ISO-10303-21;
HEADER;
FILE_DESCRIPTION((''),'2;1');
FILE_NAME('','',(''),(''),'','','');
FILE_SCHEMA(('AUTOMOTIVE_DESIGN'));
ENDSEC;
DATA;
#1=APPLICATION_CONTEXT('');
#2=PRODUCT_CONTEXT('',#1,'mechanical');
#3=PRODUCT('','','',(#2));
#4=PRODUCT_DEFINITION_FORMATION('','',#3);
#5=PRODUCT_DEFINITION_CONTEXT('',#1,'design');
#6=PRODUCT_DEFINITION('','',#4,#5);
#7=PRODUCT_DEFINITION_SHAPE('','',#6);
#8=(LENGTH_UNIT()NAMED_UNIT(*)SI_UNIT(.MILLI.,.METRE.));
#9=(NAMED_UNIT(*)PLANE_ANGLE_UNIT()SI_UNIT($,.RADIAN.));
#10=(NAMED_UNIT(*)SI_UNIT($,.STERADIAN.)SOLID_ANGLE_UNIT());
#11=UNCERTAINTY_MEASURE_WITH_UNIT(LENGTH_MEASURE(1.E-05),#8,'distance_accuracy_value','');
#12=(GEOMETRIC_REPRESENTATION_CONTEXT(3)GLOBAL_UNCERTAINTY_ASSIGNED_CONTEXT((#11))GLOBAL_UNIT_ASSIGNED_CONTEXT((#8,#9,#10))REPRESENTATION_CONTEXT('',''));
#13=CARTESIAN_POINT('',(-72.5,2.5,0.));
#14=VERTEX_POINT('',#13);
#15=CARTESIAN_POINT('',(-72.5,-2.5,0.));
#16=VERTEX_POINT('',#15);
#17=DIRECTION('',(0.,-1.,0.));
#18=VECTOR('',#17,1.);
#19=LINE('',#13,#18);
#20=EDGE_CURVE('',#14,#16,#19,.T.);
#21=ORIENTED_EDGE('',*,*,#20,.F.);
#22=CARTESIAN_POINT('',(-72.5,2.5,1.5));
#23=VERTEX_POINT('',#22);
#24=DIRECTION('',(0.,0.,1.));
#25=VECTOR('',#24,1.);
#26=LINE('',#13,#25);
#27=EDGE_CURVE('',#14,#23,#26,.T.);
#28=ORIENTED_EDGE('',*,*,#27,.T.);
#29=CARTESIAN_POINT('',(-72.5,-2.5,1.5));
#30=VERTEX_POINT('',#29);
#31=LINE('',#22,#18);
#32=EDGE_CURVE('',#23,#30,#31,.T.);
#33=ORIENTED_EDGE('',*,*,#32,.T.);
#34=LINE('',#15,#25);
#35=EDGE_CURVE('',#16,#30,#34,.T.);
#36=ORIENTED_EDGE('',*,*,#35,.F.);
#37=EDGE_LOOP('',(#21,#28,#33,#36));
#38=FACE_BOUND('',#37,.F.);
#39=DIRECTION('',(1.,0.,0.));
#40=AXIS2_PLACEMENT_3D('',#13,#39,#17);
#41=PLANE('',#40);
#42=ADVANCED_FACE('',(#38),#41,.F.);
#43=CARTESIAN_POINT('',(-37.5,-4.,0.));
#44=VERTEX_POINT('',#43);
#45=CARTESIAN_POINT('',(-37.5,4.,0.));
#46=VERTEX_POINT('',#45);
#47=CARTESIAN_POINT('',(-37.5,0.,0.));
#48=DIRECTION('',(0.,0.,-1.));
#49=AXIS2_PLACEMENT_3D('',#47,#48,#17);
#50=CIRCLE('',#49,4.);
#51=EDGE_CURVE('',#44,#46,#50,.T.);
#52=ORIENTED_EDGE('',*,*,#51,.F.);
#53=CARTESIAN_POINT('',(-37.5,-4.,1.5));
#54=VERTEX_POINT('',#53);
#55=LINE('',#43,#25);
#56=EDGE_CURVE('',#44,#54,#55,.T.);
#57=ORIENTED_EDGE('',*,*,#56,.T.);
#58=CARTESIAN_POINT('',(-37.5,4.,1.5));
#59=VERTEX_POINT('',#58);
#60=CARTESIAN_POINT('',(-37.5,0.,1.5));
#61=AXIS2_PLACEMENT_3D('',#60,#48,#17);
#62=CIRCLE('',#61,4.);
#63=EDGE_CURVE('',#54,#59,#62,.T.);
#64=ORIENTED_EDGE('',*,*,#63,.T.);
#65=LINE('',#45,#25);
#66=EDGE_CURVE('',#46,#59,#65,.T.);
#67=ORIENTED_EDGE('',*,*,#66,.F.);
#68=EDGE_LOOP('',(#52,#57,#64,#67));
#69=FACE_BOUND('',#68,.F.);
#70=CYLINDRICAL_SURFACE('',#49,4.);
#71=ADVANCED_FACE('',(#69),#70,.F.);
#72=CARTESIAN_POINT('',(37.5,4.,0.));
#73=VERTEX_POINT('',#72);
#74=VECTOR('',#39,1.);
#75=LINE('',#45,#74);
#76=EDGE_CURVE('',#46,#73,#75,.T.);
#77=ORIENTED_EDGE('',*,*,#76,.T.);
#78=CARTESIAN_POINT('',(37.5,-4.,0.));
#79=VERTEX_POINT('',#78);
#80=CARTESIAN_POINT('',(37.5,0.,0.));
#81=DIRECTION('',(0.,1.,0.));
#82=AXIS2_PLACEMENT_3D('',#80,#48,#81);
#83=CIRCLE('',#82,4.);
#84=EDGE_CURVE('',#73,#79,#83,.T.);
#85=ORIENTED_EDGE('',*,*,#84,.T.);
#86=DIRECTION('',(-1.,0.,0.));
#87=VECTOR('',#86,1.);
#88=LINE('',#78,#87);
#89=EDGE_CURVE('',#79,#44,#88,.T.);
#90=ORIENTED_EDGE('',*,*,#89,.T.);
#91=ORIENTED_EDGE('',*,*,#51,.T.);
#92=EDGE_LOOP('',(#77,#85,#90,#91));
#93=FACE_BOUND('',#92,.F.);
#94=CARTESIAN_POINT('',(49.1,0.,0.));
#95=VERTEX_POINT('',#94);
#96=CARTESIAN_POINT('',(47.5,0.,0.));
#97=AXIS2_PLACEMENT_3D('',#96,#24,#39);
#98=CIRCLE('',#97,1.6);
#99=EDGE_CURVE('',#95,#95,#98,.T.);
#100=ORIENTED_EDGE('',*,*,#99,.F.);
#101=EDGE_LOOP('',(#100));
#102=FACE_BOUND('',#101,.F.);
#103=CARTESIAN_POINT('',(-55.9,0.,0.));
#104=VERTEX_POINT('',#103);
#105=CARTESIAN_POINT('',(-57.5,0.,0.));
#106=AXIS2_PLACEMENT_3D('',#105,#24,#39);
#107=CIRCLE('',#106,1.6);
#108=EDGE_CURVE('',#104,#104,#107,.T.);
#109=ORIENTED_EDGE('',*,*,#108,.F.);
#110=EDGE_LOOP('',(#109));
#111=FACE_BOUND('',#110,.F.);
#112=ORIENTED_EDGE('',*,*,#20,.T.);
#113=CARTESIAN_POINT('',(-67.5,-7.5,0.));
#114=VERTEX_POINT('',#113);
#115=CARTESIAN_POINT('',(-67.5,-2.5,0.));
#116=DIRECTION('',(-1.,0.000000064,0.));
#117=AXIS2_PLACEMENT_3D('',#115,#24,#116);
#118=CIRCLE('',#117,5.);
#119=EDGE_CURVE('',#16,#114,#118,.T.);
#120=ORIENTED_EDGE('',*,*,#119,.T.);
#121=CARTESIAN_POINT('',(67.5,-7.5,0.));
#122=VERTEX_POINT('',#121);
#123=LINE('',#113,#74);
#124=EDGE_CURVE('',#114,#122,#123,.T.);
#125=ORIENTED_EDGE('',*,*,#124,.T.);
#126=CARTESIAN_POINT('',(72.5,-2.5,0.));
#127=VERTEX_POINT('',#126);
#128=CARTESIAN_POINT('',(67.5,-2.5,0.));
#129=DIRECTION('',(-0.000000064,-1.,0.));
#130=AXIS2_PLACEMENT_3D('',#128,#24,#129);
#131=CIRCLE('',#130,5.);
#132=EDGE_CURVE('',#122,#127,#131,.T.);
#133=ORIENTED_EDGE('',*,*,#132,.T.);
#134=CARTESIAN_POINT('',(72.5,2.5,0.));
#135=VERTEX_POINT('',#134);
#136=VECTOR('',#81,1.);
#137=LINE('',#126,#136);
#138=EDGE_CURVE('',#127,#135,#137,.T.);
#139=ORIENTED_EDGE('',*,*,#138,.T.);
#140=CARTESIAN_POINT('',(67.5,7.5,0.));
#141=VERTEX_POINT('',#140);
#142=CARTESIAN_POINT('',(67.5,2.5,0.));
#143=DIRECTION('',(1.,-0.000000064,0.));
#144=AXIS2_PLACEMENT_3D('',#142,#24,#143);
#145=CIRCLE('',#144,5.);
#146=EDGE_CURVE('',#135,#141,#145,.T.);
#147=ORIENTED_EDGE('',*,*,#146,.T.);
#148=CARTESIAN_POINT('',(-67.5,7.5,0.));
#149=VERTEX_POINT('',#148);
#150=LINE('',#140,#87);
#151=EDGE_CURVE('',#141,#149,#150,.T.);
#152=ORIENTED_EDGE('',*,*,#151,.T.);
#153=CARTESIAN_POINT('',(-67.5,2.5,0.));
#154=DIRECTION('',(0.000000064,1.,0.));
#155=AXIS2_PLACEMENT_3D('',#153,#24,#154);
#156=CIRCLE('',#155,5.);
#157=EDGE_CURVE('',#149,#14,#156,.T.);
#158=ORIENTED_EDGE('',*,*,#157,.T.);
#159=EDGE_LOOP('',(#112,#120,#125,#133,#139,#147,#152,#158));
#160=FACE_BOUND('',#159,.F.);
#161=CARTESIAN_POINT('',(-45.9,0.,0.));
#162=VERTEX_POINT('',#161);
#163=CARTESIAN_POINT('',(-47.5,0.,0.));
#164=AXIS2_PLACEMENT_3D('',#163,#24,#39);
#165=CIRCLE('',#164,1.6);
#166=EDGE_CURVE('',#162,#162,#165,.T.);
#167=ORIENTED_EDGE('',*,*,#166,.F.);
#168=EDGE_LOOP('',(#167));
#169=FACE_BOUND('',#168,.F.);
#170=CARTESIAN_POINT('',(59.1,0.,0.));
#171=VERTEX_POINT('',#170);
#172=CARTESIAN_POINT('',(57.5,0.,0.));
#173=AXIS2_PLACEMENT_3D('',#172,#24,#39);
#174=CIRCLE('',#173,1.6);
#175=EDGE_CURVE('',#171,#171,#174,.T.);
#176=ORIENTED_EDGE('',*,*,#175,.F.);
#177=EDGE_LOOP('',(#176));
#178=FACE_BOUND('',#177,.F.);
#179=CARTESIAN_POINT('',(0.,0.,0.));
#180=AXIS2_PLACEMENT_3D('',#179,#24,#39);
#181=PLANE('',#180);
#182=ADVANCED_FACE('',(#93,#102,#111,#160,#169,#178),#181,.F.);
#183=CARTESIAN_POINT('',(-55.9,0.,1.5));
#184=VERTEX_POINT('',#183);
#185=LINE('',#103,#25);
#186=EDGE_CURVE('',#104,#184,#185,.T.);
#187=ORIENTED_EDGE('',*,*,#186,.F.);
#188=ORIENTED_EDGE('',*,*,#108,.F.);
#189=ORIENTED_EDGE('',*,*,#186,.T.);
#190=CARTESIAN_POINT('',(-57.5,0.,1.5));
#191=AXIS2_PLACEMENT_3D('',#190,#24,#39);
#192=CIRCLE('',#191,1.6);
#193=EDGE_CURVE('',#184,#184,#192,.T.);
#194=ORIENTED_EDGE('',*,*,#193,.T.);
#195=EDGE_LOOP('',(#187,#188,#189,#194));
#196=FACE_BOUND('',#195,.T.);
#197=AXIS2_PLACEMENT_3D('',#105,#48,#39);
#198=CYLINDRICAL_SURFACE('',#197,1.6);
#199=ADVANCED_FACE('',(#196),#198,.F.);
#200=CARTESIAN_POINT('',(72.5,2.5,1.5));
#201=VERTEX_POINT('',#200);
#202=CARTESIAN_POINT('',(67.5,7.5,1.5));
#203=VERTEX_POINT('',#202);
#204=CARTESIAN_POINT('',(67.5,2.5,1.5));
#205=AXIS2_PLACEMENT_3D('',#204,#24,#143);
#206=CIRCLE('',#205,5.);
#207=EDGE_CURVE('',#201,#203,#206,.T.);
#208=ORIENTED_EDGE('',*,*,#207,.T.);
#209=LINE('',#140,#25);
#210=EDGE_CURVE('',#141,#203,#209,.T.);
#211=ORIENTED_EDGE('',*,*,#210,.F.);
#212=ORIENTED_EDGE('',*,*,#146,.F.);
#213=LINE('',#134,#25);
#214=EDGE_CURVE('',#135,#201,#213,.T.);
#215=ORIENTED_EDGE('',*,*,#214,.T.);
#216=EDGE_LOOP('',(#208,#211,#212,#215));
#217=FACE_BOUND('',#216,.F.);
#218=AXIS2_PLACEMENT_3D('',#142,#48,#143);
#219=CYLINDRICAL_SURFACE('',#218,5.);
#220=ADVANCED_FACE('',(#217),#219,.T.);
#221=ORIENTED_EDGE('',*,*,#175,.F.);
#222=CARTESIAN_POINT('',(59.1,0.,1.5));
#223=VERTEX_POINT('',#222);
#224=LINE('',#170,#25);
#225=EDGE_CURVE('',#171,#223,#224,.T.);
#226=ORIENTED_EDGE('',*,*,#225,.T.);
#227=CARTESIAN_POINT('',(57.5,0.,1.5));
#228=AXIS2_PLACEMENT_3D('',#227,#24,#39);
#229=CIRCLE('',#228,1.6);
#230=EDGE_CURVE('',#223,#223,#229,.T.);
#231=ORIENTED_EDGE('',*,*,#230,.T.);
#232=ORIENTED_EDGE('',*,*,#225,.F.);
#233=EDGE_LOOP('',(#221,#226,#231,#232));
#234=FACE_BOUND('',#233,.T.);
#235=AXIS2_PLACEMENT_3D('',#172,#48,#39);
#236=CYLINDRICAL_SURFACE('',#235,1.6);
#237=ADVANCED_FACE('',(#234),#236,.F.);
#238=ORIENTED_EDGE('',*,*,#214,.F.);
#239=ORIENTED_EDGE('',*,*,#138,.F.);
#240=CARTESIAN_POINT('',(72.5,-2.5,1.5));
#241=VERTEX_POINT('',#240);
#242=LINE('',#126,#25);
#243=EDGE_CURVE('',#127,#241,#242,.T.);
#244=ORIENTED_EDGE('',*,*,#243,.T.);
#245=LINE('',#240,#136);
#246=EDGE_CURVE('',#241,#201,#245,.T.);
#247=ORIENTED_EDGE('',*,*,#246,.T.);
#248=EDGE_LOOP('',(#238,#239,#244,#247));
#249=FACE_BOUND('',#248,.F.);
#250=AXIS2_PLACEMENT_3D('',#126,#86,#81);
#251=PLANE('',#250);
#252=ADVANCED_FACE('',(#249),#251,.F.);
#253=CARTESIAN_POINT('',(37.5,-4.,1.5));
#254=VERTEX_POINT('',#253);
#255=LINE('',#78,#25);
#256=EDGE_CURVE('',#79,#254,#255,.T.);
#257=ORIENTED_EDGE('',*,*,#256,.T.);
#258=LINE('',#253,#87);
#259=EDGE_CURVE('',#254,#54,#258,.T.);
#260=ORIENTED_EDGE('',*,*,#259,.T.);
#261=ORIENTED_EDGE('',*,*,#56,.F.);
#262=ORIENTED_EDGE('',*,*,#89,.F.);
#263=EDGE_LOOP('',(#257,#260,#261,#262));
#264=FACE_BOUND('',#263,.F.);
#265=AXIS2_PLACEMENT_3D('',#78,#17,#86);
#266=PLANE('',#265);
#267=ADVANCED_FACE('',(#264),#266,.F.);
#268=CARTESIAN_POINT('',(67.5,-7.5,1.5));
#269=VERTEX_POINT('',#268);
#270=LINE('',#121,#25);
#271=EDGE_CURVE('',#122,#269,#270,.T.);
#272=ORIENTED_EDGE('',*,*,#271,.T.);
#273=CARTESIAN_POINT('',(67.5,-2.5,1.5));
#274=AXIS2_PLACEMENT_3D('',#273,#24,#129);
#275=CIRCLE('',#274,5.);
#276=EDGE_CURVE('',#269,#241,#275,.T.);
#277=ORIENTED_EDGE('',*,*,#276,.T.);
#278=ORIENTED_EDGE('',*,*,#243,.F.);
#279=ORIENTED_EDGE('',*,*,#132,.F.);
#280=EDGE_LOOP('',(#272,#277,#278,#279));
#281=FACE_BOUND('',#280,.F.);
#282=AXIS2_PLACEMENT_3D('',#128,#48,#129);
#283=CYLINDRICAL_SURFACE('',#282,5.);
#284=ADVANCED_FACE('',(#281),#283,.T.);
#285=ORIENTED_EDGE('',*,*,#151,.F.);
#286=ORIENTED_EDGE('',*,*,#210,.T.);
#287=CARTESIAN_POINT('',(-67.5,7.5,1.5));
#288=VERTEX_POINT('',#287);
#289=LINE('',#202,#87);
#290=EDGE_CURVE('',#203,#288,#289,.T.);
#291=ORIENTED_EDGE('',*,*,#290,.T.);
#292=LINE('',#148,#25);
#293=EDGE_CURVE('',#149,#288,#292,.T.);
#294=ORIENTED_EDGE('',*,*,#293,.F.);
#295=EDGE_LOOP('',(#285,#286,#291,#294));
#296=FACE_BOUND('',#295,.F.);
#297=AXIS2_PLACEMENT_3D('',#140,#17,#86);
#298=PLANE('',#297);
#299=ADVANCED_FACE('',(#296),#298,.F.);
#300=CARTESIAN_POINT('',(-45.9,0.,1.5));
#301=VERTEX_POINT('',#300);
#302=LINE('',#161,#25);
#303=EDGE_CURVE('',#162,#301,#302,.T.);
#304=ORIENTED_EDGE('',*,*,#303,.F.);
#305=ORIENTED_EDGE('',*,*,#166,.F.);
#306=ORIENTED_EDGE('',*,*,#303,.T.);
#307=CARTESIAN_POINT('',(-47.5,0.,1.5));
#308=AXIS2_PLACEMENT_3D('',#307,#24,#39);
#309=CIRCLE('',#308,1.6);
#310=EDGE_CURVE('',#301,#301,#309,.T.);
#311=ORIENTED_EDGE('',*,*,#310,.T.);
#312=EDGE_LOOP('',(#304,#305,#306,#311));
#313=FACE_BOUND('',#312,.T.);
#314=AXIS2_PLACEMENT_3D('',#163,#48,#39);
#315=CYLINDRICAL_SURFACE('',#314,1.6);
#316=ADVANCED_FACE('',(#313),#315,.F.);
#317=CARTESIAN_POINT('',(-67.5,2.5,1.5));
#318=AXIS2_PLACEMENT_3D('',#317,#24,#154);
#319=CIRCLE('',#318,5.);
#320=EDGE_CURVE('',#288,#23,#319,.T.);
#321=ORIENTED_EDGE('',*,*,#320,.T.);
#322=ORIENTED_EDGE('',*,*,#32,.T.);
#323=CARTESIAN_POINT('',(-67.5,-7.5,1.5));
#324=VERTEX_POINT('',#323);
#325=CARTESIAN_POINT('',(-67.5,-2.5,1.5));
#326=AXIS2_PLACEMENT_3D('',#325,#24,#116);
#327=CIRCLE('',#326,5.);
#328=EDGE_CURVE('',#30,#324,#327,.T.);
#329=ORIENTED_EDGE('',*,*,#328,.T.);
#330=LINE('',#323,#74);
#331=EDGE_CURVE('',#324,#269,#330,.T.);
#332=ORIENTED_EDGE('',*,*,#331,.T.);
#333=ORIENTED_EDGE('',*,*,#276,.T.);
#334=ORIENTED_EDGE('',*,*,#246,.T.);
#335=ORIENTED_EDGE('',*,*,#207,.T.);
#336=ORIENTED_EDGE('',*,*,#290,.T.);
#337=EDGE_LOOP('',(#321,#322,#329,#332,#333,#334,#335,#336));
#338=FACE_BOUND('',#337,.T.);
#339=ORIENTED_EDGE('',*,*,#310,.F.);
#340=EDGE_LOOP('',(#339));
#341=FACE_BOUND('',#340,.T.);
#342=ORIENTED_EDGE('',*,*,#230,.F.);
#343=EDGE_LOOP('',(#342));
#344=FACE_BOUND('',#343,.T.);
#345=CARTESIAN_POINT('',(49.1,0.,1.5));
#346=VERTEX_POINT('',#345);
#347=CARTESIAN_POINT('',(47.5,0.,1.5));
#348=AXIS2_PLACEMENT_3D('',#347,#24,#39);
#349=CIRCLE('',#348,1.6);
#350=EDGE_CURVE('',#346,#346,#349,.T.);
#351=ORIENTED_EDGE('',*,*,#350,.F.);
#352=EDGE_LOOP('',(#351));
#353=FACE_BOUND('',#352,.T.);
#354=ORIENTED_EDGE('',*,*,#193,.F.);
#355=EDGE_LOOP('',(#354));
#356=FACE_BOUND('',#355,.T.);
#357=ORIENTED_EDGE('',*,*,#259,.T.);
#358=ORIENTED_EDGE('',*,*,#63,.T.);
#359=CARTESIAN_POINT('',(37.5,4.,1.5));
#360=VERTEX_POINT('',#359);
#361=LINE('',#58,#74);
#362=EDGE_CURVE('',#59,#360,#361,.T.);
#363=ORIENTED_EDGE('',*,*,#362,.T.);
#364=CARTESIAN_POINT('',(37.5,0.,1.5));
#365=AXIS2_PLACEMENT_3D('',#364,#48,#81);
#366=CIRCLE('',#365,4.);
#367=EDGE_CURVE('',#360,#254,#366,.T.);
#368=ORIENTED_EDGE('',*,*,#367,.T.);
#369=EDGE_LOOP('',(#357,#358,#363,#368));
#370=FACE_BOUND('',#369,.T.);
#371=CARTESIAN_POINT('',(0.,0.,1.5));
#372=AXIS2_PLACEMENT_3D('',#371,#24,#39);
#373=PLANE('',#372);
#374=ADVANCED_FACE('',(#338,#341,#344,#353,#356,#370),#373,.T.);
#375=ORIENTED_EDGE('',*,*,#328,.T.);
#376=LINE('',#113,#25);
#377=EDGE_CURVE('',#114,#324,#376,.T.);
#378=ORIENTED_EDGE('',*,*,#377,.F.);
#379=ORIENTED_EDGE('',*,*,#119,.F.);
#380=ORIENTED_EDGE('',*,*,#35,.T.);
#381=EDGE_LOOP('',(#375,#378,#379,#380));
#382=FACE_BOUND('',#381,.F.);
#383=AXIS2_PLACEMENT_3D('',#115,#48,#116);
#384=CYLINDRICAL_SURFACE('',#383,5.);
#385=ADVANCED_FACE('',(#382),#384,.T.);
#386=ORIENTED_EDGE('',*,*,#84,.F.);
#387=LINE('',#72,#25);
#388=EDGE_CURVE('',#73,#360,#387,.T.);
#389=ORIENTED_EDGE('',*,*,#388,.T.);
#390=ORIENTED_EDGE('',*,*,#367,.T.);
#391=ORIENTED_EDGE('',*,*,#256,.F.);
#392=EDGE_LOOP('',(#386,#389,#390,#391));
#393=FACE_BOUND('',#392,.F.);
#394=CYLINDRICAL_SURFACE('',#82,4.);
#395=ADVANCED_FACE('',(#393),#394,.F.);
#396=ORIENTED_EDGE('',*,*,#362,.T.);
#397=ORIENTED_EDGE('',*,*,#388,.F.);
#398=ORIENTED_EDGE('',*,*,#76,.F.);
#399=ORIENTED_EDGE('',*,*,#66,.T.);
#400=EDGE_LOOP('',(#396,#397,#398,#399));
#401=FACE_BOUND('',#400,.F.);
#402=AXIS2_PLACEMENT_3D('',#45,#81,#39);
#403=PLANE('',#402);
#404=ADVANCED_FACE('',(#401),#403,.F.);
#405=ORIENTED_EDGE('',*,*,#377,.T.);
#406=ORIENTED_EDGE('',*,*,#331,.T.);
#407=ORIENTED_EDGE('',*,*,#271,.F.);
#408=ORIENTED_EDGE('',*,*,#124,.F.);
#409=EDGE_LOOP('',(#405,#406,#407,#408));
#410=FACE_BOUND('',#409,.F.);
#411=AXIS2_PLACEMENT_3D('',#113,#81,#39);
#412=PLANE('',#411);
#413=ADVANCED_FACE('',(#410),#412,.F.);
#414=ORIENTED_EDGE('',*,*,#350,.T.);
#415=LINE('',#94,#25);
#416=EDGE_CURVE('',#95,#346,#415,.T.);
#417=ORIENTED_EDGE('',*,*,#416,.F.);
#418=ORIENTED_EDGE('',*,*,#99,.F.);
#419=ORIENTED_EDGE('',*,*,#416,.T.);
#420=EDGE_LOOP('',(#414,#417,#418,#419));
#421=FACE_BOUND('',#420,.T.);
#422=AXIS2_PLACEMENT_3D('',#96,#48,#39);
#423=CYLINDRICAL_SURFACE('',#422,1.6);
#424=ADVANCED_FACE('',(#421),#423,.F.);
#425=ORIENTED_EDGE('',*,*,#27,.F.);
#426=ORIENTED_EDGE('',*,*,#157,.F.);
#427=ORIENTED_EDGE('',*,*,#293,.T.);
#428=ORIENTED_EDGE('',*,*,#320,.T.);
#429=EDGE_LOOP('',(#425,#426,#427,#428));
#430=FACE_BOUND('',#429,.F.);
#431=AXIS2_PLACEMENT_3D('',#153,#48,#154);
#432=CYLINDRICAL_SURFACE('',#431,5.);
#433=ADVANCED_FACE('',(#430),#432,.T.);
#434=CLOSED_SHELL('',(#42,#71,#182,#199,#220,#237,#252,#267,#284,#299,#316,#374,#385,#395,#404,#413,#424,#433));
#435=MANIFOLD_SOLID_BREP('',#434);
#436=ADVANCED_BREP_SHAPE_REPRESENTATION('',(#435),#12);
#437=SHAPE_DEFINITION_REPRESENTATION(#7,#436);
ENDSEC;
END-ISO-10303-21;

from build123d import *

# Parameters (mm, degrees)
F0_R     = 1.6
F1_DEPTH = 1.5


with BuildPart() as f1:
    # F0 (on Top) → F1 (new body)
    with BuildSketch(Plane.XY):
        with BuildLine():
            ThreePointArc((-72.5, -2.5), (-71.035534, -6.035534), (-67.5, -7.5))
            Line((-67.5, -7.5), (-65.920711, -7.5))
            Line((-65.920711, -7.5), (67.5, -7.5))
            ThreePointArc((67.5, -7.5), (71.035534, -6.035534), (72.5, -2.5))
            Line((72.5, -2.5), (72.5, 2.5))
            ThreePointArc((72.5, 2.5), (71.035534, 6.035534), (67.5, 7.5))
            Line((67.5, 7.5), (-65.920711, 7.5))
            Line((-65.920711, 7.5), (-67.5, 7.5))
            ThreePointArc((-67.5, 7.5), (-71.035534, 6.035534), (-72.5, 2.5))
            Line((-72.5, 2.5), (-72.5, -2.5))
        make_face()
        with Locations((-57.5, 0)):
            Circle(F0_R, mode=Mode.SUBTRACT)
        with Locations((-47.5, 0)):
            Circle(F0_R, mode=Mode.SUBTRACT)
        with BuildLine():
            ThreePointArc((-37.5, -4), (-41.5, 0), (-37.5, 4))
            Line((-37.5, 4), (0, 4))
            Line((0, 4), (37.5, 4))
            ThreePointArc((37.5, 4), (41.5, 0), (37.5, -4))
            Line((37.5, -4), (0, -4))
            Line((0, -4), (-37.5, -4))
        make_face(mode=Mode.SUBTRACT)
        with Locations((47.5, 0)):
            Circle(F0_R, mode=Mode.SUBTRACT)
        with Locations((57.5, 0)):
            Circle(F0_R, mode=Mode.SUBTRACT)
    extrude(amount=F1_DEPTH)


solid = f1.part
